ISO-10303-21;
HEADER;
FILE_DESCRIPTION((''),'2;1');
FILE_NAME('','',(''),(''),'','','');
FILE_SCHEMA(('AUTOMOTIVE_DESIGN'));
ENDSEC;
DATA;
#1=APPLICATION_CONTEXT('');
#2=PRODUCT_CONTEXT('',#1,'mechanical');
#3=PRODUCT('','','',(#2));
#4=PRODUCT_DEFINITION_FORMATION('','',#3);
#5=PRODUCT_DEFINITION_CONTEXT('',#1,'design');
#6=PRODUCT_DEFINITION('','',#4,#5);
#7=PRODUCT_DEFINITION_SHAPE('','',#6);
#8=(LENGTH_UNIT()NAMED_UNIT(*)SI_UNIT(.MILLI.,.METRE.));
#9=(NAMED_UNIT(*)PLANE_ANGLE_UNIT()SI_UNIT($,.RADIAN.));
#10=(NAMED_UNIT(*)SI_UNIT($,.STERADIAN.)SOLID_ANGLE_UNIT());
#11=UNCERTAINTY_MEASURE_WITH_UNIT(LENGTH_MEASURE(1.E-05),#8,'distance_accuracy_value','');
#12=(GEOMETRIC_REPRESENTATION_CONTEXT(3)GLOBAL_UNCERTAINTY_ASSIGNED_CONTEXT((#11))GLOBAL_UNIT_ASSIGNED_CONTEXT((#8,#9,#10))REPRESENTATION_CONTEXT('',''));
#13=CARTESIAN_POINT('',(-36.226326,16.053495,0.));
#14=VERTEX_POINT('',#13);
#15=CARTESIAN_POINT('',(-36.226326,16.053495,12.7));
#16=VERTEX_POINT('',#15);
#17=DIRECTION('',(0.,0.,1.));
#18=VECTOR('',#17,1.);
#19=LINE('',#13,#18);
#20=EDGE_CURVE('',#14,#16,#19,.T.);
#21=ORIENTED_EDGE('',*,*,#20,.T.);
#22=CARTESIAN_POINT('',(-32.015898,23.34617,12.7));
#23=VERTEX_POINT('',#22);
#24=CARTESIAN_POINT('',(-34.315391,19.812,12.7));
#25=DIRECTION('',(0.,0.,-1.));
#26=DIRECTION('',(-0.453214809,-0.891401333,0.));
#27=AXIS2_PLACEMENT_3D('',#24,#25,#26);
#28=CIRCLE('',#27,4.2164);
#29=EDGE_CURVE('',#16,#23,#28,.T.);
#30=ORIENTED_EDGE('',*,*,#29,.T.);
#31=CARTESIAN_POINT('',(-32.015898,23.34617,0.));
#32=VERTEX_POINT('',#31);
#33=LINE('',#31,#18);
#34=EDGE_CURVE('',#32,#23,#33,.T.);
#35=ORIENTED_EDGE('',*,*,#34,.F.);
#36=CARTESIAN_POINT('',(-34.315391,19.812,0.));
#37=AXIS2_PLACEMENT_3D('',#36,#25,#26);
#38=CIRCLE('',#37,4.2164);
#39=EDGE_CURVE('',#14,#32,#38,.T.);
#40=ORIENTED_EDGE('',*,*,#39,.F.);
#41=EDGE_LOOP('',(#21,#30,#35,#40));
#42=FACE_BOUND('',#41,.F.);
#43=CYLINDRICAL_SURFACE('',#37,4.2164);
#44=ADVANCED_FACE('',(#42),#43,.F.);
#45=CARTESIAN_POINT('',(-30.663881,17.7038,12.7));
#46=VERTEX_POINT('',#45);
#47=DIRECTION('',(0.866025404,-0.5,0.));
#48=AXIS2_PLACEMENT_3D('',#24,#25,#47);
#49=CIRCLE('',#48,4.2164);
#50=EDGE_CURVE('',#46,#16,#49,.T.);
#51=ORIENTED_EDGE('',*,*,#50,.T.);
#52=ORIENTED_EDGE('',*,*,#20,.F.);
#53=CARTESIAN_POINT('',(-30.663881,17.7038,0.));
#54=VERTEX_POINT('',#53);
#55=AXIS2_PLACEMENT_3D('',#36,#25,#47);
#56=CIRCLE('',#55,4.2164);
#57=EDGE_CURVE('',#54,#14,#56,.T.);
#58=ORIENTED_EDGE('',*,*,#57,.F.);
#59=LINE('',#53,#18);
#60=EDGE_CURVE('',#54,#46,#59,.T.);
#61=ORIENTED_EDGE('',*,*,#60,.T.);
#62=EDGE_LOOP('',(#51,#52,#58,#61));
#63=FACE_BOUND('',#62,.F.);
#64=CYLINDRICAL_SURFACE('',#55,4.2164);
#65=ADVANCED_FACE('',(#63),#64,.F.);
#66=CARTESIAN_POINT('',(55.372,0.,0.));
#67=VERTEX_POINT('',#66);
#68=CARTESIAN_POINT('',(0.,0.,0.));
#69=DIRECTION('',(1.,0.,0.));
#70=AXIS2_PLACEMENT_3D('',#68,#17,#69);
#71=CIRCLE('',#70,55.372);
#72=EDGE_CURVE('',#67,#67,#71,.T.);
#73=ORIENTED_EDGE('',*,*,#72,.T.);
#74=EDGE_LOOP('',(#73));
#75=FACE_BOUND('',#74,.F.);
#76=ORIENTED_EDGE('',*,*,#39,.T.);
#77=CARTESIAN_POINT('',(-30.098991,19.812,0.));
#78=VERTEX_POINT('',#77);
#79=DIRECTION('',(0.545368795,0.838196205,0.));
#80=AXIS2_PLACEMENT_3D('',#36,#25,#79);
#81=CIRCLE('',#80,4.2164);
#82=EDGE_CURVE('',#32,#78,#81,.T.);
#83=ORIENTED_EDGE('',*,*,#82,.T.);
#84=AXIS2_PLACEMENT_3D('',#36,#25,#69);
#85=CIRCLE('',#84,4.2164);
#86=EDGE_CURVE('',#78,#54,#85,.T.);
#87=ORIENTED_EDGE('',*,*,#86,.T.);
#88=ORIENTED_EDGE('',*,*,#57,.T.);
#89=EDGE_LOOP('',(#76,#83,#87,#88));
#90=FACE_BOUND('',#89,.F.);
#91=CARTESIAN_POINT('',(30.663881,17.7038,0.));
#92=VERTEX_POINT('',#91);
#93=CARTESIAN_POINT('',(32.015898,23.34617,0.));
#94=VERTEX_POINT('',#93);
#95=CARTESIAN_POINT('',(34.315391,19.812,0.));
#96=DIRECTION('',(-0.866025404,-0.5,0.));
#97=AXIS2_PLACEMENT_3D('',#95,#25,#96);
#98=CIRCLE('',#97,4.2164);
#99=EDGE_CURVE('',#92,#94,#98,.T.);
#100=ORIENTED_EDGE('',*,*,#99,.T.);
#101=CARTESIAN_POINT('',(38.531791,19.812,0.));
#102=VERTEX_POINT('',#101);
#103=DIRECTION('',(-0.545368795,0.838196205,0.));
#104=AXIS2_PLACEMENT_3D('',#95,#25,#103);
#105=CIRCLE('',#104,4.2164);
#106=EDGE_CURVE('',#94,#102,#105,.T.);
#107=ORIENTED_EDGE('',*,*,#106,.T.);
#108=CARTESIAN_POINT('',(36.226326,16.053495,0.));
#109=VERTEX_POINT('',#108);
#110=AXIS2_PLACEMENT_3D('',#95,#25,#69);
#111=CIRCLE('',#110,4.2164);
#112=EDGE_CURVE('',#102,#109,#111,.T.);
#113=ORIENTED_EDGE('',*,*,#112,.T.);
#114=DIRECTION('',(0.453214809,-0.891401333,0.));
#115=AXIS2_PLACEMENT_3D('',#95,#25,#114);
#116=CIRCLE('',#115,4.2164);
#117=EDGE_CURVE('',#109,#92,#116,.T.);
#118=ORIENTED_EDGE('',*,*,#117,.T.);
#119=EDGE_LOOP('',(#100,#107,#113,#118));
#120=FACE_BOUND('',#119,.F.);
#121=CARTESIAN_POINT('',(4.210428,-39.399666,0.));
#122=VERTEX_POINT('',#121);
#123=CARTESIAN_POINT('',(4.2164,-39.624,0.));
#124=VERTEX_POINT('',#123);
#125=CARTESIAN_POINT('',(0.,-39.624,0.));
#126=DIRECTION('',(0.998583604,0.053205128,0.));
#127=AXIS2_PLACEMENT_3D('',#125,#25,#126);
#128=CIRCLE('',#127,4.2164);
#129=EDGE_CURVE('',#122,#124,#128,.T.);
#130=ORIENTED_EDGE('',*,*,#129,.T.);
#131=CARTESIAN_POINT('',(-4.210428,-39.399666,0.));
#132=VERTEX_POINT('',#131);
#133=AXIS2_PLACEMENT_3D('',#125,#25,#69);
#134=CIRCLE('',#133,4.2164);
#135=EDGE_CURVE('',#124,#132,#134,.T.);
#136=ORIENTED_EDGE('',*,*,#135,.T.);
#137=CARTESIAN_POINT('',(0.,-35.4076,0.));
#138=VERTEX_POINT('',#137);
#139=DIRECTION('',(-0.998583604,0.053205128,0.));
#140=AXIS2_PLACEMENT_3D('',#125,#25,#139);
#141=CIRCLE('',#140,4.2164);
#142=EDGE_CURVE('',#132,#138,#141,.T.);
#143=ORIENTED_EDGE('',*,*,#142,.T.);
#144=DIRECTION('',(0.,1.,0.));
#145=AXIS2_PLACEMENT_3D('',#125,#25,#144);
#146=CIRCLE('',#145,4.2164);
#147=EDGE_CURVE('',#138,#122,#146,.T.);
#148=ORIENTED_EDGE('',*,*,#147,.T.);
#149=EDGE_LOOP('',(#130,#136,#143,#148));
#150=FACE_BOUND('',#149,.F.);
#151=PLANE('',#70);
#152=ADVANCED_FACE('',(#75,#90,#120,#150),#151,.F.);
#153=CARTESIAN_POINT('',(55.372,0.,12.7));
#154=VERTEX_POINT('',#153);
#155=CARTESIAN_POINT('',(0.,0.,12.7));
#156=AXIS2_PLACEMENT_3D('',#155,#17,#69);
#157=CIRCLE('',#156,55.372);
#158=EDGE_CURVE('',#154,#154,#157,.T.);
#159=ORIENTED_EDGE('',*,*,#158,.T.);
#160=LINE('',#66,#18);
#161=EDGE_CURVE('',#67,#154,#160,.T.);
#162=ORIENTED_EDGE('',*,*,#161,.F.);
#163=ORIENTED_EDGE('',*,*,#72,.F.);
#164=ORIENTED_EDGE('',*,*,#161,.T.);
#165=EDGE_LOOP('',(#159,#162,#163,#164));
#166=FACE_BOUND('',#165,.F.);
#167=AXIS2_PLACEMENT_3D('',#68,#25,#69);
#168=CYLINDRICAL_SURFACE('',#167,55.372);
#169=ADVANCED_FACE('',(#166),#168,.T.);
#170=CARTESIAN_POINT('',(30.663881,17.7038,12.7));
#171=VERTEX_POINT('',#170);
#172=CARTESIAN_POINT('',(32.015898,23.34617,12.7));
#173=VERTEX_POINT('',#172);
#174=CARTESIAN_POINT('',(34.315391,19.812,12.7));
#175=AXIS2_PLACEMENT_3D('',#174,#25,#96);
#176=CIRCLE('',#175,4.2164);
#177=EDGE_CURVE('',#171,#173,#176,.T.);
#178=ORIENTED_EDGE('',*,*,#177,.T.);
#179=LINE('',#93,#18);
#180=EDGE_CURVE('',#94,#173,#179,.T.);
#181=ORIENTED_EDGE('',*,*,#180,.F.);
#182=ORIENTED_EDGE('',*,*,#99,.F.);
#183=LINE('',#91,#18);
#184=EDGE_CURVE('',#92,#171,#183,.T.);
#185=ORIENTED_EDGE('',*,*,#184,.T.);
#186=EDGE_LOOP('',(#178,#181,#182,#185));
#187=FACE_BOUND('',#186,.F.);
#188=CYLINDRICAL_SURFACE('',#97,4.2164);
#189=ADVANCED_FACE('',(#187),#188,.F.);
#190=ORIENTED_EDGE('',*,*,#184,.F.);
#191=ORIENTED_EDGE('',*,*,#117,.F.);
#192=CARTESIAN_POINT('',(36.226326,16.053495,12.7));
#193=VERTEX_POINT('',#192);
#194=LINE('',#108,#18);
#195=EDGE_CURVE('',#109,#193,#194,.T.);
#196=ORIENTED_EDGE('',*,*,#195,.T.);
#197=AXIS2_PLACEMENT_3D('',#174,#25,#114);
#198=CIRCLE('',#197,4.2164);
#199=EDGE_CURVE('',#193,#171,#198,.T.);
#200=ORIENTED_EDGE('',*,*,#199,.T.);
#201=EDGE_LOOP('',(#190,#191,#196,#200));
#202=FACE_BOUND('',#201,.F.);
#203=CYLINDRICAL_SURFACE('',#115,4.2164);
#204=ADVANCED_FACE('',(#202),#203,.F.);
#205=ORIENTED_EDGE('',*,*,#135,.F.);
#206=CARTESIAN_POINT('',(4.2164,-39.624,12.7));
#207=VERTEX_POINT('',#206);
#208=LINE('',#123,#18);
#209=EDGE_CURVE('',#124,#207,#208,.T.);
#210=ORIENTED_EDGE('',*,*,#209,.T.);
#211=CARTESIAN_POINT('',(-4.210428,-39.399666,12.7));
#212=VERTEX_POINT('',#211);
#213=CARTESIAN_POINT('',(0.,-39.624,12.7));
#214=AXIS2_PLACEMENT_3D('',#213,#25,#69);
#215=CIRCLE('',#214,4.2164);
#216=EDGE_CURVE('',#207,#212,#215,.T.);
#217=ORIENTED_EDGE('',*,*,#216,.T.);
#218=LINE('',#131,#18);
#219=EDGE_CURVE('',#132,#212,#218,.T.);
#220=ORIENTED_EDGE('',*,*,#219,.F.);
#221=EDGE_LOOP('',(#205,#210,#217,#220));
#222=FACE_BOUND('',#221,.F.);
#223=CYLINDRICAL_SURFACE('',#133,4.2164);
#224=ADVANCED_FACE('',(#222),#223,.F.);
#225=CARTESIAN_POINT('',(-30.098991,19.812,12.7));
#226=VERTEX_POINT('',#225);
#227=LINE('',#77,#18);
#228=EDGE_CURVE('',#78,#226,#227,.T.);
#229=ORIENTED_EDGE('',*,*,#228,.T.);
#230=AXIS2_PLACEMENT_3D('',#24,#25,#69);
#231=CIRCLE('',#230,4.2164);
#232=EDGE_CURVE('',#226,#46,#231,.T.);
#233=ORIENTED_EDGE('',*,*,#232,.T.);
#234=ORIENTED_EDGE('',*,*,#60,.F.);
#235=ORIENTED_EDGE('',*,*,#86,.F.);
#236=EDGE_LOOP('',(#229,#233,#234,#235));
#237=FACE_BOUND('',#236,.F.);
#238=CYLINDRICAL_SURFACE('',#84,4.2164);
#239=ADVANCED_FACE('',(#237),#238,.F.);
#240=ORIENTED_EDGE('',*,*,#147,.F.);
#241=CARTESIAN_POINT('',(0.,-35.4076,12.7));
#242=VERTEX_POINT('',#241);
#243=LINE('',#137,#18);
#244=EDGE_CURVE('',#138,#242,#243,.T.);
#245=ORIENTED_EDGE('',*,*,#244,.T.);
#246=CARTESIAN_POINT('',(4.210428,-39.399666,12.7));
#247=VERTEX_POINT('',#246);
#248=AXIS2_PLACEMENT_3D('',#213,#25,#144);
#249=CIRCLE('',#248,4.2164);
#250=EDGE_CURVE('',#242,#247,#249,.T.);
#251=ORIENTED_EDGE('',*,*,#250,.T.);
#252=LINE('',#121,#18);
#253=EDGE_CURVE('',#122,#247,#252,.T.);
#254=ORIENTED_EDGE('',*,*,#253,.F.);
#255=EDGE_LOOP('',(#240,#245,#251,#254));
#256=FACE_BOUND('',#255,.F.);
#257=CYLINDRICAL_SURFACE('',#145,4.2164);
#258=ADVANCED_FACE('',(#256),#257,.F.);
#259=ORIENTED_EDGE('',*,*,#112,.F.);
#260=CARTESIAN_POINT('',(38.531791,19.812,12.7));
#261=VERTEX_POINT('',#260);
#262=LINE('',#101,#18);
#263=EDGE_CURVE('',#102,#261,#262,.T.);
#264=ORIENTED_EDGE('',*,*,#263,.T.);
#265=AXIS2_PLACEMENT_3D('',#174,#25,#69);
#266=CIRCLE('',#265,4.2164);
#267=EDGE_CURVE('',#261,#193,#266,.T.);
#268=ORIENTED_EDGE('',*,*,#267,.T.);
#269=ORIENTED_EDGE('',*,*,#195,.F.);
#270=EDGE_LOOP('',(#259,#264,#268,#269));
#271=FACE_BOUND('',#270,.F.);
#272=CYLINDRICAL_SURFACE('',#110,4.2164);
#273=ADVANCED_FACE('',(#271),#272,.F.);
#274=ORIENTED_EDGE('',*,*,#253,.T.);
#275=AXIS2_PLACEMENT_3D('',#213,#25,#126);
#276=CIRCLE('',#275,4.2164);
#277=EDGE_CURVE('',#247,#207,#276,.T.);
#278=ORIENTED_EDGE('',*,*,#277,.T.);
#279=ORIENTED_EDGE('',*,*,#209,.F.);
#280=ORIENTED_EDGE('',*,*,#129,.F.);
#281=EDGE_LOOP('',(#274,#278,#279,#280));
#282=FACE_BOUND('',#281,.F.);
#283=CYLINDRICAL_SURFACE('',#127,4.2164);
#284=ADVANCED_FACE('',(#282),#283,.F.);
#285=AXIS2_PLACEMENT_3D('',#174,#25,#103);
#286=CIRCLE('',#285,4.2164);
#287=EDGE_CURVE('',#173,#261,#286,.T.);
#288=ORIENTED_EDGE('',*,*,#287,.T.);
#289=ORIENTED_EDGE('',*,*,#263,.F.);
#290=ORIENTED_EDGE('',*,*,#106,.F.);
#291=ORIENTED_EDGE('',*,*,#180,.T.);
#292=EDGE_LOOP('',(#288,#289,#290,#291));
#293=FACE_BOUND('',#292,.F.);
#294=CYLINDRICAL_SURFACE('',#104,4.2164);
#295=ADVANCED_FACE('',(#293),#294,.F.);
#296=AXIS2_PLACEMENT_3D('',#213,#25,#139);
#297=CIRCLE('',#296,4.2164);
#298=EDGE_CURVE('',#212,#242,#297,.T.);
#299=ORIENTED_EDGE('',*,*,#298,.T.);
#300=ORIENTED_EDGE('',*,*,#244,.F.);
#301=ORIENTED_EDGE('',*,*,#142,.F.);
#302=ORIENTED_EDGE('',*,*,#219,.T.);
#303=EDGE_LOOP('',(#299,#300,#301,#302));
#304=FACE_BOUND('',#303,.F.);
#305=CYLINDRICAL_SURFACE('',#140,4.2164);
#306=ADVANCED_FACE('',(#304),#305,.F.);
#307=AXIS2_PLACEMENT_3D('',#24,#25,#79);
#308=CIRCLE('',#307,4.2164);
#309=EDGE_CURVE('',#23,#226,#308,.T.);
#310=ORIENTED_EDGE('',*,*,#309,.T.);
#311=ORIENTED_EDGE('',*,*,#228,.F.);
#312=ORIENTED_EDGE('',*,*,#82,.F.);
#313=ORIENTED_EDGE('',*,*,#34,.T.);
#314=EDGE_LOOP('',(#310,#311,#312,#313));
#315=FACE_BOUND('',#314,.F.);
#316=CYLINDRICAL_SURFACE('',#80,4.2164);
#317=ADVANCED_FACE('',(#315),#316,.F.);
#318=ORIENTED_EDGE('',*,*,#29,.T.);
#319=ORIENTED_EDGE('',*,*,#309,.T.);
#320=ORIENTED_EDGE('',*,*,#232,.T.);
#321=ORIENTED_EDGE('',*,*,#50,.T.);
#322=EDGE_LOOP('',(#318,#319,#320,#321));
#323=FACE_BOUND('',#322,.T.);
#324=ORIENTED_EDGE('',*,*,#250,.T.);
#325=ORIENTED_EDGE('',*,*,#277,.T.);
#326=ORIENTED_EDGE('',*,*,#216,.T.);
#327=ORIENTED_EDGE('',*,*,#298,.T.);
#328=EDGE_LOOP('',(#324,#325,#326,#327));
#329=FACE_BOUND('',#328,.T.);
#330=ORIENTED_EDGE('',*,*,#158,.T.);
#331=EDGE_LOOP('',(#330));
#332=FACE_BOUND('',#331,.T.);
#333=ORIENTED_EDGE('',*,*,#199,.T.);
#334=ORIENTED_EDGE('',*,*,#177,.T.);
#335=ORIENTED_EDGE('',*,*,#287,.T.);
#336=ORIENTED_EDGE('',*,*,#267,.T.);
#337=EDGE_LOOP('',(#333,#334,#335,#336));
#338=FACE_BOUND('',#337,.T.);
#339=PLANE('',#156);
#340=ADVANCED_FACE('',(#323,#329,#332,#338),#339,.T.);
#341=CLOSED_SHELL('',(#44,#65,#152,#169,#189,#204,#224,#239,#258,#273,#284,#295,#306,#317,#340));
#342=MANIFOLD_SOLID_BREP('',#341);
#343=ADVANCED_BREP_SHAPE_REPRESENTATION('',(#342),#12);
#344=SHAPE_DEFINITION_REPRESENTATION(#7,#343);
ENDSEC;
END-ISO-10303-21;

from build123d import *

# Parameters (mm, degrees)
F0_R     = 55.372
F1_DEPTH = 12.7


with BuildPart() as f1:
    # F0 (on Top) → F1 (new body)
    with BuildSketch(Plane.XY):
        Circle(F0_R)
        with BuildLine():
            ThreePointArc((36.2263255219, 16.0534954194), (38.7652763339, 8.2045552445), (39.624, 0))
            ThreePointArc((39.624, 0), (29.4694364676, -26.4879914354), (4.2104279082, -39.3996658974))
            ThreePointArc((4.2104279082, -39.3996658974), (4.2149067126, -39.5117932094), (4.2164, -39.624))
            ThreePointArc((4.2164, -39.624), (-0.1122067906, -43.8389067126), (-4.2104279082, -39.3996658974))
            ThreePointArc((-4.2104279082, -39.3996658974), (-34.3153905996, -19.812), (-36.2263255219, 16.0534954194))
            ThreePointArc((-36.2263255219, 16.0534954194), (-37.9669001121, 21.9202), (-32.0158976137, 23.3461704781))
            ThreePointArc((-32.0158976137, 23.3461704781), (0, 39.624), (32.0158976137, 23.3461704781))
            ThreePointArc((32.0158976137, 23.3461704781), (36.3256700247, 23.518319683), (38.5317905996, 19.812))
            ThreePointArc((38.5317905996, 19.812), (37.909503492, 17.6073727125), (36.2263255219, 16.0534954194))
        make_face(mode=Mode.SUBTRACT)
        with BuildLine():
            Line((0, 0), (30.663881087, 17.7038))
            ThreePointArc((30.663881087, 17.7038), (30.215062096, 20.7945146936), (32.0158976137, 23.3461704781))
            ThreePointArc((32.0158976137, 23.3461704781), (0, 39.624), (-32.0158976137, 23.3461704781))
            ThreePointArc((-32.0158976137, 23.3461704781), (-30.6090709165, 21.8222794252), (-30.0989905996, 19.812))
            ThreePointArc((-30.0989905996, 19.812), (-30.2426609456, 18.7207153782), (-30.663881087, 17.7038))
            Line((-30.663881087, 17.7038), (0, 0))
        make_face()
        with BuildLine():
            ThreePointArc((-4.2104279082, -39.3996658974), (-2.901046936, -36.5642686989), (0, -35.4076))
            Line((0, -35.4076), (0, 0))
            Line((0, 0), (-30.663881087, 17.7038))
            ThreePointArc((-30.663881087, 17.7038), (-33.116109032, 15.7697540053), (-36.2263255219, 16.0534954194))
            ThreePointArc((-36.2263255219, 16.0534954194), (-34.3153905996, -19.812), (-4.2104279082, -39.3996658974))
        make_face()
        with BuildLine():
            ThreePointArc((4.2104279082, -39.3996658974), (29.4694364676, -26.4879914354), (39.624, 0))
            ThreePointArc((39.624, 0), (38.7652763339, 8.2045552445), (36.2263255219, 16.0534954194))
            ThreePointArc((36.2263255219, 16.0534954194), (33.116109032, 15.7697540053), (30.663881087, 17.7038))
            Line((30.663881087, 17.7038), (0, 0))
            Line((0, 0), (0, -35.4076))
            ThreePointArc((0, -35.4076), (2.901046936, -36.5642686989), (4.2104279082, -39.3996658974))
        make_face()
    extrude(amount=F1_DEPTH)


solid = f1.part
